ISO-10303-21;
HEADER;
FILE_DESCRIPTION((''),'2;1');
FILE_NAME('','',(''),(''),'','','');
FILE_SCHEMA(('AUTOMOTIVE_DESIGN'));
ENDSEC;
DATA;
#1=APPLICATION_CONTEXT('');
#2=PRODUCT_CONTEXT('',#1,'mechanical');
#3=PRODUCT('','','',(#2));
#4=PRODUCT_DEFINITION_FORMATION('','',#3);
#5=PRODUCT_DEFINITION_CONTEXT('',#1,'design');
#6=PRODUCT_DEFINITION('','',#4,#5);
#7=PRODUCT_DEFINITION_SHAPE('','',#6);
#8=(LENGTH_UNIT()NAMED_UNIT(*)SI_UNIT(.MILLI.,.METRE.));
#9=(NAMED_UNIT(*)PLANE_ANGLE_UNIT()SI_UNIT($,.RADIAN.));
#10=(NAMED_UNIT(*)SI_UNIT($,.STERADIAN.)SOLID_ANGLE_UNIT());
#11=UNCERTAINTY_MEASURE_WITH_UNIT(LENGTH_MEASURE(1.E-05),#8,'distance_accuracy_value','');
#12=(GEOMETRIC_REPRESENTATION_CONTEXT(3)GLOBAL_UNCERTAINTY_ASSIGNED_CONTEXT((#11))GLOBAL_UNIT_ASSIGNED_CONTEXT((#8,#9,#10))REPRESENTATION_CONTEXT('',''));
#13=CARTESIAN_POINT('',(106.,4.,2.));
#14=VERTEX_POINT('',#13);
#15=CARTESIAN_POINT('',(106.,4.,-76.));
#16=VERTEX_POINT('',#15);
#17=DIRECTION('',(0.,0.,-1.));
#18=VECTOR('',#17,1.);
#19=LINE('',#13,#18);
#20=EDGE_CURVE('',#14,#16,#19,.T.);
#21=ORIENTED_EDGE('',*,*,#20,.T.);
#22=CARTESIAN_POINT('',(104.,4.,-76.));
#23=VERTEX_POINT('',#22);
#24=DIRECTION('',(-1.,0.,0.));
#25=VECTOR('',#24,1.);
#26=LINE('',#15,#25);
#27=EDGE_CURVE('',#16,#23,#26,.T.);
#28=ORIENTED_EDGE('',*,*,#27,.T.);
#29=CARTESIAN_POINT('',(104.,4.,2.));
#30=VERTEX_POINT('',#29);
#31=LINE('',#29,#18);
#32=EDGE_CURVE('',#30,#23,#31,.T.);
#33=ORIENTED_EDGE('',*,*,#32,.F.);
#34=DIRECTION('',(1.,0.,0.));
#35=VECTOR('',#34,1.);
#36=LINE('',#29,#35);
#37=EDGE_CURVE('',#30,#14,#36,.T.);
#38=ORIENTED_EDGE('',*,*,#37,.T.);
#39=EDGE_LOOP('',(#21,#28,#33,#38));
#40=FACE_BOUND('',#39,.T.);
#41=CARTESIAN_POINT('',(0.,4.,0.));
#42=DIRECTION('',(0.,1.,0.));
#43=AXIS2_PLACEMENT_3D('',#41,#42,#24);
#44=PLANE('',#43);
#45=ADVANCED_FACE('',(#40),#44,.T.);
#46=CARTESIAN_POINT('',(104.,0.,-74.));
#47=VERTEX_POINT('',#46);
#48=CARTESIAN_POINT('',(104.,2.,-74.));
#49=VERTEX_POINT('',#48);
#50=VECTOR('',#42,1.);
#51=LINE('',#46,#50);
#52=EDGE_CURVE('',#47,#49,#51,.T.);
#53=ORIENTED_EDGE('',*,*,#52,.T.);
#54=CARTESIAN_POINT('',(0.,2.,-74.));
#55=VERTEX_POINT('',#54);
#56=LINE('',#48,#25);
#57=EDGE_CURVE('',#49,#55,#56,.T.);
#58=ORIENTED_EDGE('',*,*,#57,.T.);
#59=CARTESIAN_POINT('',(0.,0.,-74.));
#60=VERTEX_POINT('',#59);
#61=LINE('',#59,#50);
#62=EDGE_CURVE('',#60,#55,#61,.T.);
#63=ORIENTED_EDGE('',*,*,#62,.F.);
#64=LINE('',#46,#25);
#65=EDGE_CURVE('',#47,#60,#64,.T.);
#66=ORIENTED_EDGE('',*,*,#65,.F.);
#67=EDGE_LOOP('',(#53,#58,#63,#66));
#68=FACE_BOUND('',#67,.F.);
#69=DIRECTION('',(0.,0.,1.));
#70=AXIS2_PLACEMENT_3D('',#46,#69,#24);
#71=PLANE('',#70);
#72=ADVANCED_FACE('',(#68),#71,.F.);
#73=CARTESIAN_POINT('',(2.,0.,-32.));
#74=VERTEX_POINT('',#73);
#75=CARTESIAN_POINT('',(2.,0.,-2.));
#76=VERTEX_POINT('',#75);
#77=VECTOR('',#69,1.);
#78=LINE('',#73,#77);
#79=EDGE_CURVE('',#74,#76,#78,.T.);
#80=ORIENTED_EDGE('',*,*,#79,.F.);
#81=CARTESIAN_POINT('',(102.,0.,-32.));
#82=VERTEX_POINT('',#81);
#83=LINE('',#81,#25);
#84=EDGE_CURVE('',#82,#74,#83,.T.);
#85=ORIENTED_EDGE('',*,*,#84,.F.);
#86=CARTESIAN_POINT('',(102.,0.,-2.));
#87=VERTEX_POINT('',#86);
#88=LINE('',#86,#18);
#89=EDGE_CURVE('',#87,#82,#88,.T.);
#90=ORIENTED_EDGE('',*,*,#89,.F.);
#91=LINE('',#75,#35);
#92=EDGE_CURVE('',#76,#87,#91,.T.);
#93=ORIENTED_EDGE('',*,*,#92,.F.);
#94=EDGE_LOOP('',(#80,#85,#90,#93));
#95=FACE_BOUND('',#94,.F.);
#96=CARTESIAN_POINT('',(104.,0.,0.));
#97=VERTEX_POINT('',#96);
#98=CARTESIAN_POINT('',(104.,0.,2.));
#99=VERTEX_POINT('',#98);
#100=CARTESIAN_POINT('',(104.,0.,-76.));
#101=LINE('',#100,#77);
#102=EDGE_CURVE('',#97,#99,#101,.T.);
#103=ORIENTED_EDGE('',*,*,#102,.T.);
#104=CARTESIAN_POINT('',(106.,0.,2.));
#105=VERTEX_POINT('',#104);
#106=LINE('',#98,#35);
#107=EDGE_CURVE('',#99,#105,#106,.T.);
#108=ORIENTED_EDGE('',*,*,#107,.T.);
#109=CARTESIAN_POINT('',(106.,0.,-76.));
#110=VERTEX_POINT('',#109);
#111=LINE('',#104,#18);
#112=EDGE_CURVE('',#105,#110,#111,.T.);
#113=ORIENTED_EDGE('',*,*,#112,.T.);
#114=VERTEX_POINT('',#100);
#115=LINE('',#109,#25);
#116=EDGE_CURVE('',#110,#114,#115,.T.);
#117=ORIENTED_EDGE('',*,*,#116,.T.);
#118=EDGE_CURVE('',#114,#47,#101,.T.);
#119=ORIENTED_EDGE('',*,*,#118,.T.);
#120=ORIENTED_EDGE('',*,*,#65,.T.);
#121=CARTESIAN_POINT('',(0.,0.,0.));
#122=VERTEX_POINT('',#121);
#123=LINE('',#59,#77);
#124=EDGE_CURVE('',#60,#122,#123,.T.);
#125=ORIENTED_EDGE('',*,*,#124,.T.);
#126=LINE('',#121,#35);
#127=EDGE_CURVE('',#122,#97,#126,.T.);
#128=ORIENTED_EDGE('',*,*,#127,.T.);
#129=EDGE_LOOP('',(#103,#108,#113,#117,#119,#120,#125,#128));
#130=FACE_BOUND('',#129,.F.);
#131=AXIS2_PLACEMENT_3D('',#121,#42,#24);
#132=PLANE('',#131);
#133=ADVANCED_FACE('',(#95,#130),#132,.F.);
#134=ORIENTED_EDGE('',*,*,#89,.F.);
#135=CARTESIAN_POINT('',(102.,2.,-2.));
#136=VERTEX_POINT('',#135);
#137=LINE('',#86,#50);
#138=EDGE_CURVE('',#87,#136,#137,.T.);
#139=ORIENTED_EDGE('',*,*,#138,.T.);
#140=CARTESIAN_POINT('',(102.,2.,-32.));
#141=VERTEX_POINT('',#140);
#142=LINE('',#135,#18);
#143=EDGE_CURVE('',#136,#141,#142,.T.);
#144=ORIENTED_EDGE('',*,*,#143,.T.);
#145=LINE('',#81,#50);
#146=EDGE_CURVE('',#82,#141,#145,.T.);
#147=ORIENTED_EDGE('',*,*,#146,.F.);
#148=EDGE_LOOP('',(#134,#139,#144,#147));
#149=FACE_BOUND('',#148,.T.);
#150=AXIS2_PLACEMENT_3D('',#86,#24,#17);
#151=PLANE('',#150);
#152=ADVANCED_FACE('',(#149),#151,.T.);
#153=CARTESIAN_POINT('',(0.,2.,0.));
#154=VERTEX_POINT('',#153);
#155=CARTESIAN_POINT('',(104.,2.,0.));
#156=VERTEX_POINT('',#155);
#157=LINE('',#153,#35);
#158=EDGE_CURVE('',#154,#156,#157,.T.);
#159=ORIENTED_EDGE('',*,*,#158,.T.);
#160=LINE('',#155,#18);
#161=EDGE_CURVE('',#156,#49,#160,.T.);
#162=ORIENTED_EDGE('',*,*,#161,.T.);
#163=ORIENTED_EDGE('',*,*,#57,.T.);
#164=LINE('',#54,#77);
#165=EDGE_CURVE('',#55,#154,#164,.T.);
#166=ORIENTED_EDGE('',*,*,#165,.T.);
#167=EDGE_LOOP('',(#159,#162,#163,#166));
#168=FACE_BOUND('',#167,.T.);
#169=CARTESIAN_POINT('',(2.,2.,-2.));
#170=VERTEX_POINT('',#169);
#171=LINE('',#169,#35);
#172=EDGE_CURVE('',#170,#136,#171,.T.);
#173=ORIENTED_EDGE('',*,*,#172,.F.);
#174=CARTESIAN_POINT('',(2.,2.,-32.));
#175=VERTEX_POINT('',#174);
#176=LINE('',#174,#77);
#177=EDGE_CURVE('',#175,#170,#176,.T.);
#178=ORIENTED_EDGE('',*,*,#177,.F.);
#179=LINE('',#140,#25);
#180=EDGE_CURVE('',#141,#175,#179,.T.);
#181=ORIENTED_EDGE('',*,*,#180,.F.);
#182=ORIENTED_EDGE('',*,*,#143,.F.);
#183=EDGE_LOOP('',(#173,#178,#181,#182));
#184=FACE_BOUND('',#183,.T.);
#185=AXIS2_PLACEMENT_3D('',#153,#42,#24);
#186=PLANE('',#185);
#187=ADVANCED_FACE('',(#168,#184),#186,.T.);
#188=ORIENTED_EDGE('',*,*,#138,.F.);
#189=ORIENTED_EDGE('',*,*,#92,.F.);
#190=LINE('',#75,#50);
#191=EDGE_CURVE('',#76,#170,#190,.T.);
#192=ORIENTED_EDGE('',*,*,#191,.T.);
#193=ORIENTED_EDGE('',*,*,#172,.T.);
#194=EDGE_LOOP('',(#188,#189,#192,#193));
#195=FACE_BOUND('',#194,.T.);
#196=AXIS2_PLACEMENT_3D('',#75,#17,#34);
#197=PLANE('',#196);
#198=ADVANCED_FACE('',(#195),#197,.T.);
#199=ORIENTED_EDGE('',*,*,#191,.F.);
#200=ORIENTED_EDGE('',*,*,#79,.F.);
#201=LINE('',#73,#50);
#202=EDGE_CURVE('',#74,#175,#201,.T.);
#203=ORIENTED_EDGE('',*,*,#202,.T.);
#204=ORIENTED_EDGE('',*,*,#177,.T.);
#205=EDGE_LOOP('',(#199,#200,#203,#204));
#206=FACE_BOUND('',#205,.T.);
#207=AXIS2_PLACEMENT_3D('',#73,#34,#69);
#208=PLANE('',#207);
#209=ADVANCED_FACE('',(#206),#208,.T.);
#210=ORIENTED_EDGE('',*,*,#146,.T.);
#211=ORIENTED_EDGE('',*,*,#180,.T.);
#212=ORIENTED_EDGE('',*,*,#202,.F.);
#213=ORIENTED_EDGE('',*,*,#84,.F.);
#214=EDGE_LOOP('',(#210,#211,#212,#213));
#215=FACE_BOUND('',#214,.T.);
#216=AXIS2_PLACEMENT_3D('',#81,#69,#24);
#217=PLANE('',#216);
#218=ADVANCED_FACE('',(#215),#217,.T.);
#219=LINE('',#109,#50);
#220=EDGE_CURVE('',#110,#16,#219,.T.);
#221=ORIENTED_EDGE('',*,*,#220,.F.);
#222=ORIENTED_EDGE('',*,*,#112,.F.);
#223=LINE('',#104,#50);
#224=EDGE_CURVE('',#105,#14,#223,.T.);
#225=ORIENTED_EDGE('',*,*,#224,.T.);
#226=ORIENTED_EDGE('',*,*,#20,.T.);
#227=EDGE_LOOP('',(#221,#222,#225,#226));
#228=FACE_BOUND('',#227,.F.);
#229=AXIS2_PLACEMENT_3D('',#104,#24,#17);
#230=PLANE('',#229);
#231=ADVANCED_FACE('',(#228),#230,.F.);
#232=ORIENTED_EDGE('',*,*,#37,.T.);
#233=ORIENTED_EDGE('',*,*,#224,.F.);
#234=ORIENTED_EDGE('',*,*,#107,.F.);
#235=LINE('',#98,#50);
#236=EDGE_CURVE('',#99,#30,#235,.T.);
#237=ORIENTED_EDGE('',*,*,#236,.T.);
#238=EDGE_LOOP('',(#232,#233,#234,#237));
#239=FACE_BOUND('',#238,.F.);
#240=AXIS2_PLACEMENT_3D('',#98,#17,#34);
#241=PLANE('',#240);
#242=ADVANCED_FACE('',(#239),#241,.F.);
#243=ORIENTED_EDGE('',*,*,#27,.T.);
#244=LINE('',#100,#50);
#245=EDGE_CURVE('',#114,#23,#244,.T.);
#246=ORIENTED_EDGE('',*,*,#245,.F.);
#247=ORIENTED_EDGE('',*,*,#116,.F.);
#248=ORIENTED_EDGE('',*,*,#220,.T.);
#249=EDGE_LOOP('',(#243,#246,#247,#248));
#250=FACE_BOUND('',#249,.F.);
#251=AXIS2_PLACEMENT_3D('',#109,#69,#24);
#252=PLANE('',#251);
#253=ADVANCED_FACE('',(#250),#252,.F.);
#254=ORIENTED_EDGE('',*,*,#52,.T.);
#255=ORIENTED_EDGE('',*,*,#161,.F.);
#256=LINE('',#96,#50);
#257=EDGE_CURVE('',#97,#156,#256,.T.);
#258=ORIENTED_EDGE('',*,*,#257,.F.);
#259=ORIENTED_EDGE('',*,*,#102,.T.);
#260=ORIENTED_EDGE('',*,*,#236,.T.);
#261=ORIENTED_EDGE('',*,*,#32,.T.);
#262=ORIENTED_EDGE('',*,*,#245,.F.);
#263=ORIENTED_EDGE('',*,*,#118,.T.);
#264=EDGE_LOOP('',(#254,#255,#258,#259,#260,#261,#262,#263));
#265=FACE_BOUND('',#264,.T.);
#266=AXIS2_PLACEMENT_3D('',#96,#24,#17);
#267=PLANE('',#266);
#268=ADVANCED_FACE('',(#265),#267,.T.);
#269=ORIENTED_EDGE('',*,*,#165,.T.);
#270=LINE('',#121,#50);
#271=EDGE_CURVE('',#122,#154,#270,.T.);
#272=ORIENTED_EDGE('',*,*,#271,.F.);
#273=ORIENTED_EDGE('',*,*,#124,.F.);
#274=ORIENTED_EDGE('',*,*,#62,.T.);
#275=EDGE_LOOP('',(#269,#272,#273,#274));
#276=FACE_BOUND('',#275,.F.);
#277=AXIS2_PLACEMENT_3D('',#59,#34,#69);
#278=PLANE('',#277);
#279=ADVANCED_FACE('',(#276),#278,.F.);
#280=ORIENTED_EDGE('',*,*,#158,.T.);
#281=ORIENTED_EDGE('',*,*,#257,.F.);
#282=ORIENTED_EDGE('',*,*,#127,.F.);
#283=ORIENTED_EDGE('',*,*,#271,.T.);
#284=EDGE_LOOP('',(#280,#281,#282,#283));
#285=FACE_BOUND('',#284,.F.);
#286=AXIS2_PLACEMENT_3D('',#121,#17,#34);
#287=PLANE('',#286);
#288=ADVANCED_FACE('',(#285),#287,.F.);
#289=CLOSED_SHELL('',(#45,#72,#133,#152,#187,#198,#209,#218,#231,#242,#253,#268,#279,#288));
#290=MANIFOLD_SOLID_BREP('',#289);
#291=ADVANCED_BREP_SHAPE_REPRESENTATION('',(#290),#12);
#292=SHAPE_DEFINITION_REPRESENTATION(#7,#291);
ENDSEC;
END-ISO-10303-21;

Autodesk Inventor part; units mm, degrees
ref_plane "YZ Plane" through (0, 0, 0) normal (1, 0, 0) x (0, 1, 0)
ref_plane "XZ Plane" through (0, 0, 0) normal (0, 1, 0) x (-1, 0, 0)
ref_plane "XY Plane" through (0, 0, 0) normal (0, 0, 1) x (1, 0, 0)
sketch "Sketch1" plane through (0, 0, 0) normal (0, 1, 0) x (-1, 0, 0)
  line L0 (0, 0) -> (-104, 0)
  line L1 (-104, 0) -> (-104, -74)
  line L2 (-104, -74) -> (0, -74)
  line L3 (0, -74) -> (0, 0)
  line L4 (-104, 2) -> (-106, 2)
  line L5 (-106, 2) -> (-106, -76)
  line L6 (-106, -76) -> (-104, -76)
  line L7 (-104, -76) -> (-104, 2)
  line L8 (-2, -2) -> (-102, -2)
  line L9 (-102, -2) -> (-102, -32)
  line L10 (-102, -32) -> (-2, -32)
  line L11 (-2, -32) -> (-2, -2)
  dimension "d0" = 104
  dimension "d1" = 74
  dimension "d2" = 2
  dimension "d3" = 78
  dimension "d4" = 104
  dimension "d5" = 2
  dimension "d6" = 100
  dimension "d7" = 30
  dimension "d8" = 2
  dimension "d9" = 2
extrude "Extrusion1" add sketch "Sketch1" along normal blind 4 contours L1 L7 L6 L5 L4
extrude "Extrusion2" add sketch "Sketch1" along normal blind 2 contours L3 L2 L1 L0
properties part number "Lid"
